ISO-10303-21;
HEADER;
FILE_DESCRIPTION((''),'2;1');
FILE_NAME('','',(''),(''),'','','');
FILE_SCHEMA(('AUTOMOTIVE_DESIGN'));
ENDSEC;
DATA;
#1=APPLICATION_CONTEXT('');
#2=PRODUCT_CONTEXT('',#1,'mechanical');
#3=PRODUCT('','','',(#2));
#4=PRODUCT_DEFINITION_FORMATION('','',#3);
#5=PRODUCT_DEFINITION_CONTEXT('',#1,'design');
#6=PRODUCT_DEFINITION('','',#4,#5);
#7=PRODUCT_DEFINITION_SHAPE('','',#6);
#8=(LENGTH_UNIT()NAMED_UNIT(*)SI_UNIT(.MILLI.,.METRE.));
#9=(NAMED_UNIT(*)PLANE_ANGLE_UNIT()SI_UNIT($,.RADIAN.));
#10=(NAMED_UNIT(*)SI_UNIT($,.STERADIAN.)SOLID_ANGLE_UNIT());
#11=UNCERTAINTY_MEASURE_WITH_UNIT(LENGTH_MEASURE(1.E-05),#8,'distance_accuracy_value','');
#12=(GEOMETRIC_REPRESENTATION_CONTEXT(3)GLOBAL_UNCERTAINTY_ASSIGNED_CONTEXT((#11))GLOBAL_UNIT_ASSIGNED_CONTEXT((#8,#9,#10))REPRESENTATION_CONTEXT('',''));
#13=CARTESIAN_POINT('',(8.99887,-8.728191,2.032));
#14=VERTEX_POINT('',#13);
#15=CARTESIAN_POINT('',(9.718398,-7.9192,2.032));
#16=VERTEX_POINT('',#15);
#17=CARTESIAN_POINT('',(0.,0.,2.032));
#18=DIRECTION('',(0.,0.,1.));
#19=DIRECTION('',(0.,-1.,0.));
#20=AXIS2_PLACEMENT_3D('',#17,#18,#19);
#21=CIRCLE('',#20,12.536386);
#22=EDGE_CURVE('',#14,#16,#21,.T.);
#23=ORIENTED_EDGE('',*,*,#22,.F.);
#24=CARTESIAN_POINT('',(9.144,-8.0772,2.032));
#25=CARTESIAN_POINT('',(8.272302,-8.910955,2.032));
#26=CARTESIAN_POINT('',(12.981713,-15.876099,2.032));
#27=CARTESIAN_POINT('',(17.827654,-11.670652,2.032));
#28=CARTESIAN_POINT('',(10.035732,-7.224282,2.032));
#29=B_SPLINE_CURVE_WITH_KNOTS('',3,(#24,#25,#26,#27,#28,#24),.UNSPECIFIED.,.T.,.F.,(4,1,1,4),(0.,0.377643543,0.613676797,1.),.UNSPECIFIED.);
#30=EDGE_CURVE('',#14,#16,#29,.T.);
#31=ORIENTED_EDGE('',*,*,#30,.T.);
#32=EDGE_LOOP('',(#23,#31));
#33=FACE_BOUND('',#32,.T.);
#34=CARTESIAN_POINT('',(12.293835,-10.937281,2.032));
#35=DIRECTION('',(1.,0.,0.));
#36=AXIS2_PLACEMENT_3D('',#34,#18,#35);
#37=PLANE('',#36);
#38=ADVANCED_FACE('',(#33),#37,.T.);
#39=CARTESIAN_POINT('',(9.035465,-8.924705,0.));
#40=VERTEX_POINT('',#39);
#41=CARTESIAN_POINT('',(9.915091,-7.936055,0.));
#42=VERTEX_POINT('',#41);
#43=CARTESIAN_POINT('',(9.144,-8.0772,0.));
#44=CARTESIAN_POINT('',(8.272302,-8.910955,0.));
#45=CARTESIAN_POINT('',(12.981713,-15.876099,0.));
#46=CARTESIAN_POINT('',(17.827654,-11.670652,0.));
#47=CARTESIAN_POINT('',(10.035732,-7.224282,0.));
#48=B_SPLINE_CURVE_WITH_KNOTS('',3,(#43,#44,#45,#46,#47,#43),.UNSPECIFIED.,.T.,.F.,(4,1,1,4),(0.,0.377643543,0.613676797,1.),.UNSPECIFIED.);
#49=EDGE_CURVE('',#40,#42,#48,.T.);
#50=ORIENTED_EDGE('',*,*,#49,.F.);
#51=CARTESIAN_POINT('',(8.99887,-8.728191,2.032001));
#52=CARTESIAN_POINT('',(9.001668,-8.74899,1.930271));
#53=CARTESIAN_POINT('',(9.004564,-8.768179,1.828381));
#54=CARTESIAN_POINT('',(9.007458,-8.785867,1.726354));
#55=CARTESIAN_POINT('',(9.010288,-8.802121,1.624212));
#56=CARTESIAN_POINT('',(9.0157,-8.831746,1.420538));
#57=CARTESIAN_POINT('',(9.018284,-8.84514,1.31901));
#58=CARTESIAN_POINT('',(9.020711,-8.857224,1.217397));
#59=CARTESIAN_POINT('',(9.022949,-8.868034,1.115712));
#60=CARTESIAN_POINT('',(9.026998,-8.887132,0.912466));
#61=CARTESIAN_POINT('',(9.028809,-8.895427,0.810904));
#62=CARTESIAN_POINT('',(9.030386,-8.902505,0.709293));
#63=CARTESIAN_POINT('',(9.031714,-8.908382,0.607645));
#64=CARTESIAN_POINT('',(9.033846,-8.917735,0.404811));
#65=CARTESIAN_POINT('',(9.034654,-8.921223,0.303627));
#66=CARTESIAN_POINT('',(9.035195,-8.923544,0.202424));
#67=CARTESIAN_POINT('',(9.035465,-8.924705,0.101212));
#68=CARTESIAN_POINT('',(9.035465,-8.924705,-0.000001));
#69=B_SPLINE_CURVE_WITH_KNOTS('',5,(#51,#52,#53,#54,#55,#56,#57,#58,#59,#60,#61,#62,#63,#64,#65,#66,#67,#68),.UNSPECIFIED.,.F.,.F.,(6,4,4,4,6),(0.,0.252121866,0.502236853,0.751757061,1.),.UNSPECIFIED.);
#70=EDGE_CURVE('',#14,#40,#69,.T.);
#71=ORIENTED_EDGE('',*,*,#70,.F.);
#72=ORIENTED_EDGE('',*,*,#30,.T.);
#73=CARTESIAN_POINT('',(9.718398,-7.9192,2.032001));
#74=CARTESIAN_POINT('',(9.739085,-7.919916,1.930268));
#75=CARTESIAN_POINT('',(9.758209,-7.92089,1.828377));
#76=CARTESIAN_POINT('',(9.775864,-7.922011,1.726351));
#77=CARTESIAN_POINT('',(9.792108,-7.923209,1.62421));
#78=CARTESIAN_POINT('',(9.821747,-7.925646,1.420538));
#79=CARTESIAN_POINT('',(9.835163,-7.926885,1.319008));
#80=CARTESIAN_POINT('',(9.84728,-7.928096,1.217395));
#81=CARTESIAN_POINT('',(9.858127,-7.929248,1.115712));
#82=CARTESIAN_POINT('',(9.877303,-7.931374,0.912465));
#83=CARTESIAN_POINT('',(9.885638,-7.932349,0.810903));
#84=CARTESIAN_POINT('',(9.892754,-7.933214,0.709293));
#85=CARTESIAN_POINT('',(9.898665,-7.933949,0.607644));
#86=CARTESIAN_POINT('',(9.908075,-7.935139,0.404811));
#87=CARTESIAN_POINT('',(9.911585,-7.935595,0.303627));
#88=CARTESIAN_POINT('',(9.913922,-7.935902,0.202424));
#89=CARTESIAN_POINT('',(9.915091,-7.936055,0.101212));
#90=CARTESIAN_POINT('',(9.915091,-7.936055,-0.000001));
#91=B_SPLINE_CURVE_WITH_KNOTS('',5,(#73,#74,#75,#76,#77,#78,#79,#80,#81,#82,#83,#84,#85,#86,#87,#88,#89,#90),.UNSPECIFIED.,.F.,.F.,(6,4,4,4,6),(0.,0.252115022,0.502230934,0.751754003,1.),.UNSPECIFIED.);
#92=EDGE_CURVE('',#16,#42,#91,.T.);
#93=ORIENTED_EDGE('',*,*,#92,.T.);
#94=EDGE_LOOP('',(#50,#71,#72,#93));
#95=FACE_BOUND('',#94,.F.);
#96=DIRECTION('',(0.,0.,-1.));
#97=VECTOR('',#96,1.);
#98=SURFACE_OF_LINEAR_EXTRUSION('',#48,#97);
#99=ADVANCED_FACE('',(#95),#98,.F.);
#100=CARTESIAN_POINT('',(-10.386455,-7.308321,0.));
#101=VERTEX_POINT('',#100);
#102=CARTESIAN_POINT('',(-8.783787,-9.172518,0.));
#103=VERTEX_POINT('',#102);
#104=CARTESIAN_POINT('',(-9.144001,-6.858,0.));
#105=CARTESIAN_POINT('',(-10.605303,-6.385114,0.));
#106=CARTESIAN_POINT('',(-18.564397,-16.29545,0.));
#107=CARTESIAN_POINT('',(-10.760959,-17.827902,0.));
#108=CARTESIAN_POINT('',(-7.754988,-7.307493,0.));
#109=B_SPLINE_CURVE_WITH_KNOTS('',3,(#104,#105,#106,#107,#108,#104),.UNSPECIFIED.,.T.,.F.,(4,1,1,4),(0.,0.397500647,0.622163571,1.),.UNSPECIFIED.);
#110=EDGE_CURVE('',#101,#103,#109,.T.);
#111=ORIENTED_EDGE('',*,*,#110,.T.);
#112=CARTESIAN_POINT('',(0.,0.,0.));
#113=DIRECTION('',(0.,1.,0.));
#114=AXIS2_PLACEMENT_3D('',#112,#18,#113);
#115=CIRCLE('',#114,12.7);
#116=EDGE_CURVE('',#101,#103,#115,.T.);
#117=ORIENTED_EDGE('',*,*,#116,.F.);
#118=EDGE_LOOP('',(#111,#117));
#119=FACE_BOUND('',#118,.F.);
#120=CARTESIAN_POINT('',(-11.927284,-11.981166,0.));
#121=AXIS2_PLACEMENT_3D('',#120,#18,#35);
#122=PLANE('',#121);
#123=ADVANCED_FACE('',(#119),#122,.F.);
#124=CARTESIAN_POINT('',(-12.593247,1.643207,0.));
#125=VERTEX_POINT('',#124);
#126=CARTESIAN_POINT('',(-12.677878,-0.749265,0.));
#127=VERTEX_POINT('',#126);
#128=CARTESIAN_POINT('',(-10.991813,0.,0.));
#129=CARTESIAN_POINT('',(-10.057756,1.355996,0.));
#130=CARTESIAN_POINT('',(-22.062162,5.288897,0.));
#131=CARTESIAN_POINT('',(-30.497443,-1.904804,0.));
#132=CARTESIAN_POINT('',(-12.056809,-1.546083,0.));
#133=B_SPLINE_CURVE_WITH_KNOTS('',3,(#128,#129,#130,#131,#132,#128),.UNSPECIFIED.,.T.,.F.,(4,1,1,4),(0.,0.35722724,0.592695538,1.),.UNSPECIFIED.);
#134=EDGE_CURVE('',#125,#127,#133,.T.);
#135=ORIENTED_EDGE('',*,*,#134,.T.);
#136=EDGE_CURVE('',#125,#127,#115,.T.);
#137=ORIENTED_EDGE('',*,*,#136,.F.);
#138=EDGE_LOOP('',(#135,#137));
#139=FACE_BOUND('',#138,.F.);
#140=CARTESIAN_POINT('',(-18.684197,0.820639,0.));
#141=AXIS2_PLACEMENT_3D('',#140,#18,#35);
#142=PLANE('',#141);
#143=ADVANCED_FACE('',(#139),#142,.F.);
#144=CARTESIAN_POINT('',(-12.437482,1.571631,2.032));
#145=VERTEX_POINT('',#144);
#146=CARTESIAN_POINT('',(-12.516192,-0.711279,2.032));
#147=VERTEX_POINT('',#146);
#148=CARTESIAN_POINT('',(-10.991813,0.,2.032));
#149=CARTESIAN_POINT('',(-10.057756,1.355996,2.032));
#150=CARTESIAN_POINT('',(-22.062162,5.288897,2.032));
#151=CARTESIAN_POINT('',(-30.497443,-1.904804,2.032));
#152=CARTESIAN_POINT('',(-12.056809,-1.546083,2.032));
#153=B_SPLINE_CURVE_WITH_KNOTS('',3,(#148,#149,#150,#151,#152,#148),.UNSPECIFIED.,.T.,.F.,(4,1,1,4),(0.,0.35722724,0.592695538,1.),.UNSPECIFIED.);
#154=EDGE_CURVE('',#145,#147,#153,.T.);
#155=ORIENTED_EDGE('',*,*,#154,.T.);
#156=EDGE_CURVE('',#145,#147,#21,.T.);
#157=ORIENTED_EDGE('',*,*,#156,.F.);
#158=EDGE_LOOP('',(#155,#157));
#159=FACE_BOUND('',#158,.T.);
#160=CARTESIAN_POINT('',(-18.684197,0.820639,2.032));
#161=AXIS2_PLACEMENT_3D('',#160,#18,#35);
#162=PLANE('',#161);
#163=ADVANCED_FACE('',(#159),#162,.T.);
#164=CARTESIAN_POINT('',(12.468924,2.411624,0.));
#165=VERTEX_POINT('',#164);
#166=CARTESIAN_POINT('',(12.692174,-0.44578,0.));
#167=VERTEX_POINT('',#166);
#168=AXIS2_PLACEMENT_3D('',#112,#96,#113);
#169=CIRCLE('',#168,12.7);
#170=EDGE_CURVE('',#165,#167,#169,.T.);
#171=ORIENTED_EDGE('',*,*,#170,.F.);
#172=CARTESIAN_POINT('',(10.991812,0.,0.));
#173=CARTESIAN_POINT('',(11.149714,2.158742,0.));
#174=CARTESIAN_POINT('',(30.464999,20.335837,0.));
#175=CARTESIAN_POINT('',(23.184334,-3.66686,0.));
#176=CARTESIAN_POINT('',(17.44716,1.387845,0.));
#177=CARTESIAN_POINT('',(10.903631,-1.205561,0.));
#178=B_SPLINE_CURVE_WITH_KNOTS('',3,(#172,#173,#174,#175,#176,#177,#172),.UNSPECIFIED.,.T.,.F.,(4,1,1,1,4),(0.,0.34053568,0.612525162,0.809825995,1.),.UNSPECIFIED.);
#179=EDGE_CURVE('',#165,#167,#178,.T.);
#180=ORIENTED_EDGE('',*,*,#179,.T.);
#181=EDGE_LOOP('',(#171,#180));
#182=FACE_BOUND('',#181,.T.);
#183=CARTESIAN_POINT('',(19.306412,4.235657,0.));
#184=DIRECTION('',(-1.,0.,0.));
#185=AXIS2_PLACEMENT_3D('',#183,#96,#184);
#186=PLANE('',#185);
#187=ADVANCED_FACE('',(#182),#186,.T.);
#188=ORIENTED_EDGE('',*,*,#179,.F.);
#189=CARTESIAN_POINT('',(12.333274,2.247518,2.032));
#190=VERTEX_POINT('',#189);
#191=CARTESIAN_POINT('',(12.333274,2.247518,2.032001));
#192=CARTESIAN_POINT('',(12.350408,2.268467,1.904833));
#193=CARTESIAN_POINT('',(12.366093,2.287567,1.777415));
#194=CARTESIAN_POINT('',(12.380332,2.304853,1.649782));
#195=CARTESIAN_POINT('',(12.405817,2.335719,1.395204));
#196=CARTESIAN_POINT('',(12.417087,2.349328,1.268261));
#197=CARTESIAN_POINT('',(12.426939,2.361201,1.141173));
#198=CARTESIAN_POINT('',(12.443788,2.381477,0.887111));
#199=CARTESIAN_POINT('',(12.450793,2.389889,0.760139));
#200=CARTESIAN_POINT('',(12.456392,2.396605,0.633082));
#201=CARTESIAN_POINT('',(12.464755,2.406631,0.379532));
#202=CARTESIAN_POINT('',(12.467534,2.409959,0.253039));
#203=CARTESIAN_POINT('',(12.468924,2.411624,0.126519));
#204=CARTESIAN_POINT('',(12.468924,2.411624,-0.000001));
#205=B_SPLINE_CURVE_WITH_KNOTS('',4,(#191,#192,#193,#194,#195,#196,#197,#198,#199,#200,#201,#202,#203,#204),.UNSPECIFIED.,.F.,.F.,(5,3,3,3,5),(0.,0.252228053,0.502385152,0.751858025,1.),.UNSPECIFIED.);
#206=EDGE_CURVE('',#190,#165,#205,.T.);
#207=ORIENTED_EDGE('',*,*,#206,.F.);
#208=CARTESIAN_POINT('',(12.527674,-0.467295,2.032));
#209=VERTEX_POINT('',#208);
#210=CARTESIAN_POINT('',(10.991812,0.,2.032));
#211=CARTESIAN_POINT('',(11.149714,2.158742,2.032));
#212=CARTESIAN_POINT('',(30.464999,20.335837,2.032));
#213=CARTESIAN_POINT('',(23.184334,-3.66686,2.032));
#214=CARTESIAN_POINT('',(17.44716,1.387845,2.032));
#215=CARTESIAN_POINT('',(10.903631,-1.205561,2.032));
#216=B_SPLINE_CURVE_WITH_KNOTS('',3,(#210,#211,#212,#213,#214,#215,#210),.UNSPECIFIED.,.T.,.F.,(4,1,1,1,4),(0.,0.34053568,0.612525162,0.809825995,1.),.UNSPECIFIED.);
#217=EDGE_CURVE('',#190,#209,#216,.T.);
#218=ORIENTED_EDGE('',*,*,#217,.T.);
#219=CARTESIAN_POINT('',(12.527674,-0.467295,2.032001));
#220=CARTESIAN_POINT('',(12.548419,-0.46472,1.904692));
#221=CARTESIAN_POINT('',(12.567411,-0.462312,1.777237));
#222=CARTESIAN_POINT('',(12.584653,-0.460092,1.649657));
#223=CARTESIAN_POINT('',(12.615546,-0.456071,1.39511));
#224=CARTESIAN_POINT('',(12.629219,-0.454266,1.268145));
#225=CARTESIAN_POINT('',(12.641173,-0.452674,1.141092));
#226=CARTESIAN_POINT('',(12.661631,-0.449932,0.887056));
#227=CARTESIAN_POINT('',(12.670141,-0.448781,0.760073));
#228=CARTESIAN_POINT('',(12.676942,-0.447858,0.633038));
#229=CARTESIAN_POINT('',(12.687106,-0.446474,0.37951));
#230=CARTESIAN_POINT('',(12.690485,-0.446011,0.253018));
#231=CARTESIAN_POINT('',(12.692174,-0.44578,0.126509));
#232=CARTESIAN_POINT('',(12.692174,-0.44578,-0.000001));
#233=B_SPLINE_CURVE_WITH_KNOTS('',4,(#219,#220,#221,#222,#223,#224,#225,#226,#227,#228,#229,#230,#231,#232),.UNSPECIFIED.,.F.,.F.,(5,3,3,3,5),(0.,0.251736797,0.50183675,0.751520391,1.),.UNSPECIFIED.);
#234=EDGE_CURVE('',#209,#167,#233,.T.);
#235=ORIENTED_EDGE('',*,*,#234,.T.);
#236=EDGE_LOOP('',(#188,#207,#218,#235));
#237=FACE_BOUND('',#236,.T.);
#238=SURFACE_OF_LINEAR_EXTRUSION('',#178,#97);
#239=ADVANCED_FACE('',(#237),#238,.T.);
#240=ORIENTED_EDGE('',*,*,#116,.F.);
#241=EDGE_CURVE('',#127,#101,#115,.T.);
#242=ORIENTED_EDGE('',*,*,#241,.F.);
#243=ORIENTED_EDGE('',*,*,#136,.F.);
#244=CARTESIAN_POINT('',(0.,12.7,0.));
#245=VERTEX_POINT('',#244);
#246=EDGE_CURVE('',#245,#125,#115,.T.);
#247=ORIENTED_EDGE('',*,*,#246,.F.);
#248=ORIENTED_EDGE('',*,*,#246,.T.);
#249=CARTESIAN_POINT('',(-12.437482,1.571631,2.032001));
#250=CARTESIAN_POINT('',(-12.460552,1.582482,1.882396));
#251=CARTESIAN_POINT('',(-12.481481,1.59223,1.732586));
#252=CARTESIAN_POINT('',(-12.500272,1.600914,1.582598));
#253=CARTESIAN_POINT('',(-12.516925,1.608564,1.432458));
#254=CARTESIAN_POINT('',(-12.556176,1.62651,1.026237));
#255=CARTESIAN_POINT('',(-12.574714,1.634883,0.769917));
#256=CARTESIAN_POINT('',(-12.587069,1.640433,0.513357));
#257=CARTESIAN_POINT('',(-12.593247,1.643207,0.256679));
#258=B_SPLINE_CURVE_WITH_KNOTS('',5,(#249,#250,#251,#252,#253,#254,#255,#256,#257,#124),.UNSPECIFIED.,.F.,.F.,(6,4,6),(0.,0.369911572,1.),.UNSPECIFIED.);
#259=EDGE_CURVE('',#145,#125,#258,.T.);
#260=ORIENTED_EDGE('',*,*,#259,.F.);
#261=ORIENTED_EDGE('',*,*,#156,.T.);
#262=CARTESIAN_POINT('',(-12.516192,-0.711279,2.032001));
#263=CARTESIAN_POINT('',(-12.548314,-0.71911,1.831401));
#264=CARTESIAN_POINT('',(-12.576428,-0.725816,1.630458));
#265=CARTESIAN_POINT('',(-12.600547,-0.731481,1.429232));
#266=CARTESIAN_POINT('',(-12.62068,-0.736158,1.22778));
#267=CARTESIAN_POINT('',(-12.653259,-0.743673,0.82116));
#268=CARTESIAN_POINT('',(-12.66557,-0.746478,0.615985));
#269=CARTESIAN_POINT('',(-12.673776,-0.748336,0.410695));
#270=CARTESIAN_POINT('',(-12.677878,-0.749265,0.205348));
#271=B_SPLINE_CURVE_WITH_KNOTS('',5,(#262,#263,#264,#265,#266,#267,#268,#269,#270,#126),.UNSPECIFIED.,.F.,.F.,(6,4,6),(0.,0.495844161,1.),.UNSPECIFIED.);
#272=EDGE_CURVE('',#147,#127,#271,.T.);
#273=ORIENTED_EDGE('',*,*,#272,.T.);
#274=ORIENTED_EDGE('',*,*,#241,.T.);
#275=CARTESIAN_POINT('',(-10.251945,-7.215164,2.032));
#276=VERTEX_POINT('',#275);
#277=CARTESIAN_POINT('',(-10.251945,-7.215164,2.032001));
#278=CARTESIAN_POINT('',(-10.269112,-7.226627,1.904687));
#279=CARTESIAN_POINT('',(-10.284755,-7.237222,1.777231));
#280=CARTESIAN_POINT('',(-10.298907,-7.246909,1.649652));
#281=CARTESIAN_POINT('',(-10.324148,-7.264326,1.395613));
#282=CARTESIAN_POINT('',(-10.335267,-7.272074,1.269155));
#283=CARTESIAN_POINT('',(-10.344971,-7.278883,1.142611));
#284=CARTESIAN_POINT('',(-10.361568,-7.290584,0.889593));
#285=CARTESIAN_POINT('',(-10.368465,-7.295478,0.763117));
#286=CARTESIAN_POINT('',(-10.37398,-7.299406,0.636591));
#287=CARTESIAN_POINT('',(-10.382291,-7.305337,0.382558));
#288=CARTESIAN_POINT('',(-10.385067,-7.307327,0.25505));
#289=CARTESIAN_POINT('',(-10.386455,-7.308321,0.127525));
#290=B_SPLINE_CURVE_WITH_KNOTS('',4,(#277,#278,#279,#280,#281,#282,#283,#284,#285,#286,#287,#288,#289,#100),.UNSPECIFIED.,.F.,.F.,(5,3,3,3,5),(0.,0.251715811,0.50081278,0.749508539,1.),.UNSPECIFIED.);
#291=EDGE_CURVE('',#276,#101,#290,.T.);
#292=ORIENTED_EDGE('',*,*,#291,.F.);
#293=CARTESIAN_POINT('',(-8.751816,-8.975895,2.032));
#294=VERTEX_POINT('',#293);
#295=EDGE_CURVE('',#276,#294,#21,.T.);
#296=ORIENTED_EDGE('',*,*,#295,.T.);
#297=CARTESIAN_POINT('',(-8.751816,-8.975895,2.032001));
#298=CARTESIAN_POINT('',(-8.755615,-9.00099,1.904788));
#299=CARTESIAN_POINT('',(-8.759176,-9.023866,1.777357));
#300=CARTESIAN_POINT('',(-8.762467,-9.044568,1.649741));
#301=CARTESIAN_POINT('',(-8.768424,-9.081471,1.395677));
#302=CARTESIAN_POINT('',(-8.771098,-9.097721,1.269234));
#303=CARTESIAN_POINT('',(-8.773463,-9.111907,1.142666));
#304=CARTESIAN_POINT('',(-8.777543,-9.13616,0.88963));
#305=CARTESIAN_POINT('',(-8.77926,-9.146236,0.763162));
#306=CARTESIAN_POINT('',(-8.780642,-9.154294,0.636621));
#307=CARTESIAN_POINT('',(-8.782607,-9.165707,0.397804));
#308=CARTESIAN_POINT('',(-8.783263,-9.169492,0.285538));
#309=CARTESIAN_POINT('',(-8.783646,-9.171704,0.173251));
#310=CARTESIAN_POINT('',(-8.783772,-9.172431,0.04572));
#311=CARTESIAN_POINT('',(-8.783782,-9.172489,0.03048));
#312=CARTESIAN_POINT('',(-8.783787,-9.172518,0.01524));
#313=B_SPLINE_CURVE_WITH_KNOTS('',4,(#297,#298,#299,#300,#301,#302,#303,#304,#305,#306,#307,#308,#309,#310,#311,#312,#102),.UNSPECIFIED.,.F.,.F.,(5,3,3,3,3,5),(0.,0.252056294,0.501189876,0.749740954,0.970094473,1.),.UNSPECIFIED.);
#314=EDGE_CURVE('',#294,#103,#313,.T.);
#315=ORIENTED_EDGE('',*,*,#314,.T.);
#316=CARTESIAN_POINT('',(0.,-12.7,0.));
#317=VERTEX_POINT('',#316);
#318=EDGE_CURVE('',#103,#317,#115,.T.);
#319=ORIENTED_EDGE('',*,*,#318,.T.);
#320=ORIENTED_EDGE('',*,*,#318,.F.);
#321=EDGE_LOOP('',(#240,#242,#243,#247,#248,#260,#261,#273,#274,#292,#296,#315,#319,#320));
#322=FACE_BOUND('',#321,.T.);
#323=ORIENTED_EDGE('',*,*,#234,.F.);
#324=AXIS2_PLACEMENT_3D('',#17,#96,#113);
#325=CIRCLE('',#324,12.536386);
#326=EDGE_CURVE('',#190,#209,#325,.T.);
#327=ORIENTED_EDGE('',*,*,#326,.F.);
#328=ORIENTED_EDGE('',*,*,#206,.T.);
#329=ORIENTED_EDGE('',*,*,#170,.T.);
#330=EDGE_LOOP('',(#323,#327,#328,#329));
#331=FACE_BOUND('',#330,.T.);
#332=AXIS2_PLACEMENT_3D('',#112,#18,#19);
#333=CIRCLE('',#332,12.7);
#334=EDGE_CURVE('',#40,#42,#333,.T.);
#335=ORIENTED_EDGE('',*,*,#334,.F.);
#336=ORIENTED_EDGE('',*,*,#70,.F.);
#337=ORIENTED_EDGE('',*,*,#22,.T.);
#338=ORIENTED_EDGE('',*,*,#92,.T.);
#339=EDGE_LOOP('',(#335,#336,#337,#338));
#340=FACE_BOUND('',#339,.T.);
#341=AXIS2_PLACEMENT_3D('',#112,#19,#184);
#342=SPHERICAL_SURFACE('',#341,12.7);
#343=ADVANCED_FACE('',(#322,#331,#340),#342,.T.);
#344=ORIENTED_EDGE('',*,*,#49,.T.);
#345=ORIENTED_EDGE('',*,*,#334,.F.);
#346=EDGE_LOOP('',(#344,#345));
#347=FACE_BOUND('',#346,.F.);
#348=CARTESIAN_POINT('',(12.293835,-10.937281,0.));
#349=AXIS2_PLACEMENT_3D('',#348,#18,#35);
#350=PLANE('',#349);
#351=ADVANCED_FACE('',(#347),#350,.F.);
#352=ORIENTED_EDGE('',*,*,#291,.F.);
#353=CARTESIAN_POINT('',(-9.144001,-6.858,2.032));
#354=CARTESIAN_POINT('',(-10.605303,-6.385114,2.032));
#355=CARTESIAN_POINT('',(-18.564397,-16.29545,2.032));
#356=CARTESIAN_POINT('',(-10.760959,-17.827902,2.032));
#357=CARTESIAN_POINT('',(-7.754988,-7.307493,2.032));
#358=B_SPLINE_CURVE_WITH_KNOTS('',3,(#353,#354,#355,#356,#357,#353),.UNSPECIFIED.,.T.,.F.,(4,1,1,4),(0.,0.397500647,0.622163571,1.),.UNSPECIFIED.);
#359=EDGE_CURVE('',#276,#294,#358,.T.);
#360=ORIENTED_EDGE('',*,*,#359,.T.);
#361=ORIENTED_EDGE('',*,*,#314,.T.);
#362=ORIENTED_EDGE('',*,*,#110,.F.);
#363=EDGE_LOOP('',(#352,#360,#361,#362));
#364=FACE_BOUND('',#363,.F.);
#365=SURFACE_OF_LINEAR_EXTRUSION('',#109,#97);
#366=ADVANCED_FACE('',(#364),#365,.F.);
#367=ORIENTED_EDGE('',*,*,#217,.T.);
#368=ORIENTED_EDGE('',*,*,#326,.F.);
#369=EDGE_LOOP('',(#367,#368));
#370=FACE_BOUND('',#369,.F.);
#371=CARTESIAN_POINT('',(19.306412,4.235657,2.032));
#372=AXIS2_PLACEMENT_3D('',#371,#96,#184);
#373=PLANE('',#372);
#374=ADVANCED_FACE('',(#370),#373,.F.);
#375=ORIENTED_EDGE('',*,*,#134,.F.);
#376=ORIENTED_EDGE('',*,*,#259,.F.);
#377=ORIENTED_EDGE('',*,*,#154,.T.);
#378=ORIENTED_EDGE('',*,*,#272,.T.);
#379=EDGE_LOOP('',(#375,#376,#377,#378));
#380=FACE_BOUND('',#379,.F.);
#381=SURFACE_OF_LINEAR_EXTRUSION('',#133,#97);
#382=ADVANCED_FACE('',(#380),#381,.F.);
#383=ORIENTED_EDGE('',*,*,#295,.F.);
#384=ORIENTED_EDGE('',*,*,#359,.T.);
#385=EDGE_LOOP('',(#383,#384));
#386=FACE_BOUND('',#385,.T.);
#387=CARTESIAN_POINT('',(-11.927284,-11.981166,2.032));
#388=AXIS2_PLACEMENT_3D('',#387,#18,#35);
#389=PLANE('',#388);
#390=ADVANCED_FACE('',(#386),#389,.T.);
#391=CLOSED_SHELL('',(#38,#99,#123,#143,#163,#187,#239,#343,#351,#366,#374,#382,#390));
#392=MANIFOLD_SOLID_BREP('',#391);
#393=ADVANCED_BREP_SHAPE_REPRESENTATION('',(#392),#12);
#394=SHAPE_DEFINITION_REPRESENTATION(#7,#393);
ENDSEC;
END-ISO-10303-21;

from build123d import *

# Parameters (mm, degrees)
F5_DEPTH = 2.032


with BuildPart() as f1:
    # F0 (on Top) → F1 (revolve)
    with BuildSketch(Plane.XY):
        with BuildLine():
            Line((0, -12.7), (0, 12.7))
            ThreePointArc((0, 12.7), (-12.7, 0), (0, -12.7))
        make_face()
    revolve(axis=Axis((0, 0, 0), (0, -1, 0)))

    # F2 (on Top) + F3 (on Top) → F5 (join)
    with BuildSketch(Plane.XY):
        with BuildLine():
            add(Edge.make_bspline(
                [(-10.9918132212, 0), (-10.0577564866, 1.3559956811), (-22.0621618719, 5.2888968354), (-30.4974431762, -1.9048035346), (-12.0568089239, -1.5460833588), (-10.9918132212, 0)],
                knots=[0, 0, 0, 0, 0.3572272399, 0.5926955383, 1, 1, 1, 1], degree=3))
        make_face()
        with BuildLine():
            add(Edge.make_bspline(
                [(10.9918123134, 0), (11.1497141508, 2.1587421255), (30.4649991747, 20.3358374576), (23.1843343474, -3.6668601029), (17.44716018, 1.3878448006), (10.9036311724, -1.2055612974), (10.9918123134, 0)],
                knots=[0, 0, 0, 0, 0.3405356795, 0.6125251618, 0.8098259951, 1, 1, 1, 1], degree=3))
        make_face()
    with BuildSketch(Plane.XY):
        with BuildLine():
            add(Edge.make_bspline(
                [(-9.1440007091, -6.8580000661), (-10.6053034716, -6.3851140961), (-18.5643973908, -16.2954503659), (-10.7609585266, -17.8279019397), (-7.7549880842, -7.3074925323), (-9.1440007091, -6.8580000661)],
                knots=[0, 0, 0, 0, 0.3975006473, 0.622163571, 1, 1, 1, 1], degree=3))
        make_face()
        with BuildLine():
            add(Edge.make_bspline(
                [(9.1439997777, -8.0771995708), (8.2723022419, -8.9109545473), (12.9817126127, -15.8760986243), (17.8276538542, -11.670651754), (10.0357321804, -7.2242817894), (9.1439997777, -8.0771995708)],
                knots=[0, 0, 0, 0, 0.3776435433, 0.6136767969, 1, 1, 1, 1], degree=3))
        make_face()
    extrude(amount=F5_DEPTH)


solid = f1.part
